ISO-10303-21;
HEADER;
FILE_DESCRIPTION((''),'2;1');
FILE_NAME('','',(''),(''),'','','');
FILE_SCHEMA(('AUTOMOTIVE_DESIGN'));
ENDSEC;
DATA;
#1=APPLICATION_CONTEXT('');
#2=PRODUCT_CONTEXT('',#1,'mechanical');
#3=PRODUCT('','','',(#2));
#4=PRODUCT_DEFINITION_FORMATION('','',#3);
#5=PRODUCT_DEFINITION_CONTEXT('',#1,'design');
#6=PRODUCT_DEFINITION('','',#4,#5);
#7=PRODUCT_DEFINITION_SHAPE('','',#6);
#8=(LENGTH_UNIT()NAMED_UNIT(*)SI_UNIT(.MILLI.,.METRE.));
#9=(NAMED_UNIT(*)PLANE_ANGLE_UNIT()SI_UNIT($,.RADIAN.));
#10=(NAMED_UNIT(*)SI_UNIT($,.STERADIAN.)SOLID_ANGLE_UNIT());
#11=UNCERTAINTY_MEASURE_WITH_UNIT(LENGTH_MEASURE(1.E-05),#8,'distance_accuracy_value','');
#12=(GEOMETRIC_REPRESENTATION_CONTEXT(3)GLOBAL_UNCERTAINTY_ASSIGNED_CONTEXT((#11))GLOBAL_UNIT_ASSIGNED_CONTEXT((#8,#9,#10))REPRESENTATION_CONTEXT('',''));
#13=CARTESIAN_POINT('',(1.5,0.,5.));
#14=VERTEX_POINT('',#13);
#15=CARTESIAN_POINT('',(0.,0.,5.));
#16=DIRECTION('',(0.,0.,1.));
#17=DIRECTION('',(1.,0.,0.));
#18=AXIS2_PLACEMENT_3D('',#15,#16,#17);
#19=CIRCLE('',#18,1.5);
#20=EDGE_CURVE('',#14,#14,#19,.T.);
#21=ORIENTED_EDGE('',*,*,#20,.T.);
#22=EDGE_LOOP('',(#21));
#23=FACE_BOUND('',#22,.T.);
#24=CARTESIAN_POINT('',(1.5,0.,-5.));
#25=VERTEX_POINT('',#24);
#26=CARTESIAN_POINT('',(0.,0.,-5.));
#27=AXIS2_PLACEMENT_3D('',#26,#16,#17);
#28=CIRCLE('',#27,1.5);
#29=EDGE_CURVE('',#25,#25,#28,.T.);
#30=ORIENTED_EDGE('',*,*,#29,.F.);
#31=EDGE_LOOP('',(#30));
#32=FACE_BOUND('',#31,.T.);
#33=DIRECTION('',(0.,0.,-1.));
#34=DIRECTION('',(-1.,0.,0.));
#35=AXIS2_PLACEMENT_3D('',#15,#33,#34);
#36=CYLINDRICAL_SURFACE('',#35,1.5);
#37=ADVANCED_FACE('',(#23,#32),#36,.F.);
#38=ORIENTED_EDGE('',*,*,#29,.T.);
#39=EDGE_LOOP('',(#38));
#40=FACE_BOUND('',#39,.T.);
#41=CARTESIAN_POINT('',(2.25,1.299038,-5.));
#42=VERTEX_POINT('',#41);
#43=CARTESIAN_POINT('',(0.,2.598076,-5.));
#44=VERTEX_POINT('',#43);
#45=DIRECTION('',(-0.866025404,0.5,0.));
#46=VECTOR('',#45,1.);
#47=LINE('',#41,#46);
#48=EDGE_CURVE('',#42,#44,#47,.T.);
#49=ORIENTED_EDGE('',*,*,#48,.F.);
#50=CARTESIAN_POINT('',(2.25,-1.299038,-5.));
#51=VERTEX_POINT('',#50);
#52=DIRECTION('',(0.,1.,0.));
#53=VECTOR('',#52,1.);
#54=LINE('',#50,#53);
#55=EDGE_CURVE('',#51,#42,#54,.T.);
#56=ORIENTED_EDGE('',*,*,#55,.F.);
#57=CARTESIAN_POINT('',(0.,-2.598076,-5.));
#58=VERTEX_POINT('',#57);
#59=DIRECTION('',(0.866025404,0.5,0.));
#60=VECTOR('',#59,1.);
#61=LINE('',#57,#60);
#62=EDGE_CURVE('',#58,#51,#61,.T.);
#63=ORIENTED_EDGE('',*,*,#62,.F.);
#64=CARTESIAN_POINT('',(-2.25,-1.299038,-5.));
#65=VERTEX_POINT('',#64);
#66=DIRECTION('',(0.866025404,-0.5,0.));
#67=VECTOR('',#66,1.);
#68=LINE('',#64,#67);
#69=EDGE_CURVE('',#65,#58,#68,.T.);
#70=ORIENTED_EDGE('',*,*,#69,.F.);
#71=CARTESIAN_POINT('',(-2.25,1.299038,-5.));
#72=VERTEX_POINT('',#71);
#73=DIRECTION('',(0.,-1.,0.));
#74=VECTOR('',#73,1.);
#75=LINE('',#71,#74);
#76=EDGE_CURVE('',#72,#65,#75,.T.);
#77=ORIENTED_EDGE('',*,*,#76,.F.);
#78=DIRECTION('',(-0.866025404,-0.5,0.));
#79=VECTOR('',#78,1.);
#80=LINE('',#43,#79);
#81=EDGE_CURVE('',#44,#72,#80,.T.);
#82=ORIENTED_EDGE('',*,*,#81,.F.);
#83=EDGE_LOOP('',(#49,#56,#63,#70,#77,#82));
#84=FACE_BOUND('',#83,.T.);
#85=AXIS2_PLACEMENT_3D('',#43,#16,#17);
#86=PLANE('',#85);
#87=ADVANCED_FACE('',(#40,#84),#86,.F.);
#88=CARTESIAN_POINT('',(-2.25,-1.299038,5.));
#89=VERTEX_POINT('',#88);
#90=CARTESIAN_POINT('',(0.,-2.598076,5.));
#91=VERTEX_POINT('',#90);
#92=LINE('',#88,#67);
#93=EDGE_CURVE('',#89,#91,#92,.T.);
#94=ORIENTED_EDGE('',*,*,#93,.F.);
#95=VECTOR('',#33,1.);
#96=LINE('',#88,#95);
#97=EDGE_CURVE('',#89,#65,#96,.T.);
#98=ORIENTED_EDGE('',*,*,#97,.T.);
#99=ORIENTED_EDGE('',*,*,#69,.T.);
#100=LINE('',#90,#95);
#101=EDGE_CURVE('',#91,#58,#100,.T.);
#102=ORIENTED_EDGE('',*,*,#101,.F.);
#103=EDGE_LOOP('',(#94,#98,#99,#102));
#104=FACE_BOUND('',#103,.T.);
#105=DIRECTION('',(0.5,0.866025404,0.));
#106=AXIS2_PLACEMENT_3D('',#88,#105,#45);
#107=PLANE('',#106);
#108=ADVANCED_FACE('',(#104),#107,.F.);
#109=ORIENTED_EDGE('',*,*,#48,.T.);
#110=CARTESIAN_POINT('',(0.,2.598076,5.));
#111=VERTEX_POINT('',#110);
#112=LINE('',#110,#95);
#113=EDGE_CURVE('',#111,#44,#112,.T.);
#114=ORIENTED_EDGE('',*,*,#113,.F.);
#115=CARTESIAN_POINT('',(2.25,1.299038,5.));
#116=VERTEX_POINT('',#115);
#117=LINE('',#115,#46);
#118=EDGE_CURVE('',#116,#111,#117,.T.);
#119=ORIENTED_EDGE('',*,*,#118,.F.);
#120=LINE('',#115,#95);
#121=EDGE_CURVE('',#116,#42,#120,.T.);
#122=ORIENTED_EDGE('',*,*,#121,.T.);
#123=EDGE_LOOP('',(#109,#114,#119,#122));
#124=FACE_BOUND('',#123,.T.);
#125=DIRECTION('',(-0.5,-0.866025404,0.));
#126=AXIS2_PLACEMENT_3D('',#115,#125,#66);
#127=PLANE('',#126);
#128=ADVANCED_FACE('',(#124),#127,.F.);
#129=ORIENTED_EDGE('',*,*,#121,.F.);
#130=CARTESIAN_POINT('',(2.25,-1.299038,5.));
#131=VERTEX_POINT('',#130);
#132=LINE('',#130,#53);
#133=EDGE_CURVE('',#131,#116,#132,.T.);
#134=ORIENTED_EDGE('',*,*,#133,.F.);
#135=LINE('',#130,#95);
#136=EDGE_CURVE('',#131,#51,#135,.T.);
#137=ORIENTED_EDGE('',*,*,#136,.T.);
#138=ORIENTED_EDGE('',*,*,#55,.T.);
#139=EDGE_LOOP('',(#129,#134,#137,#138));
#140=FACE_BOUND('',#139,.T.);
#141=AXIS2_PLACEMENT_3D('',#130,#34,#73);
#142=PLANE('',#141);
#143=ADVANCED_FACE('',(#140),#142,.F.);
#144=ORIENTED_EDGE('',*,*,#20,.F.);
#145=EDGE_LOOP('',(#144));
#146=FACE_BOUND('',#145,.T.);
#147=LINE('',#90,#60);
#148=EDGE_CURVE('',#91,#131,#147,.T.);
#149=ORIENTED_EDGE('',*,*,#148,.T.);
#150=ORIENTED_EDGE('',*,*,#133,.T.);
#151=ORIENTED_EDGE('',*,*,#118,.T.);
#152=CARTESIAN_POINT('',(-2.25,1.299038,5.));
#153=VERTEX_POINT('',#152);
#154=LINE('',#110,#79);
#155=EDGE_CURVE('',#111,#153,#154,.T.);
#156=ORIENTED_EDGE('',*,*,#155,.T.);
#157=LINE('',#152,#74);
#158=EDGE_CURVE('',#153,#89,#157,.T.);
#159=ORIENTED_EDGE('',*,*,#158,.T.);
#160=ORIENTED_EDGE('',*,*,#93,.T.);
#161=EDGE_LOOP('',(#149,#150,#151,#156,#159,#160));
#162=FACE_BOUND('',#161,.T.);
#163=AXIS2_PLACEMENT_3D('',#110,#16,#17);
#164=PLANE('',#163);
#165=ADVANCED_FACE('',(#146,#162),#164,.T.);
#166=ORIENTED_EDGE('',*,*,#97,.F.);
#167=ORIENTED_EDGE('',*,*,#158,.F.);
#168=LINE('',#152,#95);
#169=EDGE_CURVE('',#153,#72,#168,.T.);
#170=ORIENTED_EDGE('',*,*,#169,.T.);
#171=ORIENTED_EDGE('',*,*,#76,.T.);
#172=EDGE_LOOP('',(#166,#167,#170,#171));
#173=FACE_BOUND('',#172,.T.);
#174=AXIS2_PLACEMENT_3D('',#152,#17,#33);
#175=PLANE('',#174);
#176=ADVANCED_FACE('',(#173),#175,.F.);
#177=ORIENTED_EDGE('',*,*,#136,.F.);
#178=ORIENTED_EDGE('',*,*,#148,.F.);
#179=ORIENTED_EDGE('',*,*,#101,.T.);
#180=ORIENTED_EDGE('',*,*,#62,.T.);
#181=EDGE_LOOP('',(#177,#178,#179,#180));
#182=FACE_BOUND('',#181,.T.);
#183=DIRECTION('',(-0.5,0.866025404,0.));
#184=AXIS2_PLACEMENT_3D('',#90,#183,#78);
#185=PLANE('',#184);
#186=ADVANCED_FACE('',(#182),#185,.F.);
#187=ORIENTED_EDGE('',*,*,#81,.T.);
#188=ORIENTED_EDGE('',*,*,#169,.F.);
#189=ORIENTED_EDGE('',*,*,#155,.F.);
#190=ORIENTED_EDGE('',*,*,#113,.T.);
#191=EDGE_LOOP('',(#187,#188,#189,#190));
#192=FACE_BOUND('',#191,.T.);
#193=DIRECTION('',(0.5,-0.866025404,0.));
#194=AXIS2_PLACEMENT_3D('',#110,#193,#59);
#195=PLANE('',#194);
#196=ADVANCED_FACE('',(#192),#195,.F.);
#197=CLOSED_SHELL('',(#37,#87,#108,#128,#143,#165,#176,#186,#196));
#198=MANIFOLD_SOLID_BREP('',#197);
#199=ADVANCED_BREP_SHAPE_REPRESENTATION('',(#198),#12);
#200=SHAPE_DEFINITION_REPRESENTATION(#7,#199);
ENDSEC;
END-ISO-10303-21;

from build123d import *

# Parameters (mm, degrees)
SKETCH1_R           = 1.5
EXTRUDE1_DEPTH      = 5
EXTRUDE1_DEPTH_BACK = 5


with BuildPart() as part:
    # Sketch1 → Extrude1 (new body, two sides)
    with BuildSketch(Plane.XY) as extrude1_sk:
        Polygon((0, 2.598076211), (-2.25, 1.299038106), (-2.25, -1.299038106), (0, -2.598076211), (2.25, -1.299038106), (2.25, 1.299038106), align=None)
        Circle(SKETCH1_R, mode=Mode.SUBTRACT)
    extrude(amount=EXTRUDE1_DEPTH)
    extrude(extrude1_sk.sketch, amount=-EXTRUDE1_DEPTH_BACK)


solid = part.part
